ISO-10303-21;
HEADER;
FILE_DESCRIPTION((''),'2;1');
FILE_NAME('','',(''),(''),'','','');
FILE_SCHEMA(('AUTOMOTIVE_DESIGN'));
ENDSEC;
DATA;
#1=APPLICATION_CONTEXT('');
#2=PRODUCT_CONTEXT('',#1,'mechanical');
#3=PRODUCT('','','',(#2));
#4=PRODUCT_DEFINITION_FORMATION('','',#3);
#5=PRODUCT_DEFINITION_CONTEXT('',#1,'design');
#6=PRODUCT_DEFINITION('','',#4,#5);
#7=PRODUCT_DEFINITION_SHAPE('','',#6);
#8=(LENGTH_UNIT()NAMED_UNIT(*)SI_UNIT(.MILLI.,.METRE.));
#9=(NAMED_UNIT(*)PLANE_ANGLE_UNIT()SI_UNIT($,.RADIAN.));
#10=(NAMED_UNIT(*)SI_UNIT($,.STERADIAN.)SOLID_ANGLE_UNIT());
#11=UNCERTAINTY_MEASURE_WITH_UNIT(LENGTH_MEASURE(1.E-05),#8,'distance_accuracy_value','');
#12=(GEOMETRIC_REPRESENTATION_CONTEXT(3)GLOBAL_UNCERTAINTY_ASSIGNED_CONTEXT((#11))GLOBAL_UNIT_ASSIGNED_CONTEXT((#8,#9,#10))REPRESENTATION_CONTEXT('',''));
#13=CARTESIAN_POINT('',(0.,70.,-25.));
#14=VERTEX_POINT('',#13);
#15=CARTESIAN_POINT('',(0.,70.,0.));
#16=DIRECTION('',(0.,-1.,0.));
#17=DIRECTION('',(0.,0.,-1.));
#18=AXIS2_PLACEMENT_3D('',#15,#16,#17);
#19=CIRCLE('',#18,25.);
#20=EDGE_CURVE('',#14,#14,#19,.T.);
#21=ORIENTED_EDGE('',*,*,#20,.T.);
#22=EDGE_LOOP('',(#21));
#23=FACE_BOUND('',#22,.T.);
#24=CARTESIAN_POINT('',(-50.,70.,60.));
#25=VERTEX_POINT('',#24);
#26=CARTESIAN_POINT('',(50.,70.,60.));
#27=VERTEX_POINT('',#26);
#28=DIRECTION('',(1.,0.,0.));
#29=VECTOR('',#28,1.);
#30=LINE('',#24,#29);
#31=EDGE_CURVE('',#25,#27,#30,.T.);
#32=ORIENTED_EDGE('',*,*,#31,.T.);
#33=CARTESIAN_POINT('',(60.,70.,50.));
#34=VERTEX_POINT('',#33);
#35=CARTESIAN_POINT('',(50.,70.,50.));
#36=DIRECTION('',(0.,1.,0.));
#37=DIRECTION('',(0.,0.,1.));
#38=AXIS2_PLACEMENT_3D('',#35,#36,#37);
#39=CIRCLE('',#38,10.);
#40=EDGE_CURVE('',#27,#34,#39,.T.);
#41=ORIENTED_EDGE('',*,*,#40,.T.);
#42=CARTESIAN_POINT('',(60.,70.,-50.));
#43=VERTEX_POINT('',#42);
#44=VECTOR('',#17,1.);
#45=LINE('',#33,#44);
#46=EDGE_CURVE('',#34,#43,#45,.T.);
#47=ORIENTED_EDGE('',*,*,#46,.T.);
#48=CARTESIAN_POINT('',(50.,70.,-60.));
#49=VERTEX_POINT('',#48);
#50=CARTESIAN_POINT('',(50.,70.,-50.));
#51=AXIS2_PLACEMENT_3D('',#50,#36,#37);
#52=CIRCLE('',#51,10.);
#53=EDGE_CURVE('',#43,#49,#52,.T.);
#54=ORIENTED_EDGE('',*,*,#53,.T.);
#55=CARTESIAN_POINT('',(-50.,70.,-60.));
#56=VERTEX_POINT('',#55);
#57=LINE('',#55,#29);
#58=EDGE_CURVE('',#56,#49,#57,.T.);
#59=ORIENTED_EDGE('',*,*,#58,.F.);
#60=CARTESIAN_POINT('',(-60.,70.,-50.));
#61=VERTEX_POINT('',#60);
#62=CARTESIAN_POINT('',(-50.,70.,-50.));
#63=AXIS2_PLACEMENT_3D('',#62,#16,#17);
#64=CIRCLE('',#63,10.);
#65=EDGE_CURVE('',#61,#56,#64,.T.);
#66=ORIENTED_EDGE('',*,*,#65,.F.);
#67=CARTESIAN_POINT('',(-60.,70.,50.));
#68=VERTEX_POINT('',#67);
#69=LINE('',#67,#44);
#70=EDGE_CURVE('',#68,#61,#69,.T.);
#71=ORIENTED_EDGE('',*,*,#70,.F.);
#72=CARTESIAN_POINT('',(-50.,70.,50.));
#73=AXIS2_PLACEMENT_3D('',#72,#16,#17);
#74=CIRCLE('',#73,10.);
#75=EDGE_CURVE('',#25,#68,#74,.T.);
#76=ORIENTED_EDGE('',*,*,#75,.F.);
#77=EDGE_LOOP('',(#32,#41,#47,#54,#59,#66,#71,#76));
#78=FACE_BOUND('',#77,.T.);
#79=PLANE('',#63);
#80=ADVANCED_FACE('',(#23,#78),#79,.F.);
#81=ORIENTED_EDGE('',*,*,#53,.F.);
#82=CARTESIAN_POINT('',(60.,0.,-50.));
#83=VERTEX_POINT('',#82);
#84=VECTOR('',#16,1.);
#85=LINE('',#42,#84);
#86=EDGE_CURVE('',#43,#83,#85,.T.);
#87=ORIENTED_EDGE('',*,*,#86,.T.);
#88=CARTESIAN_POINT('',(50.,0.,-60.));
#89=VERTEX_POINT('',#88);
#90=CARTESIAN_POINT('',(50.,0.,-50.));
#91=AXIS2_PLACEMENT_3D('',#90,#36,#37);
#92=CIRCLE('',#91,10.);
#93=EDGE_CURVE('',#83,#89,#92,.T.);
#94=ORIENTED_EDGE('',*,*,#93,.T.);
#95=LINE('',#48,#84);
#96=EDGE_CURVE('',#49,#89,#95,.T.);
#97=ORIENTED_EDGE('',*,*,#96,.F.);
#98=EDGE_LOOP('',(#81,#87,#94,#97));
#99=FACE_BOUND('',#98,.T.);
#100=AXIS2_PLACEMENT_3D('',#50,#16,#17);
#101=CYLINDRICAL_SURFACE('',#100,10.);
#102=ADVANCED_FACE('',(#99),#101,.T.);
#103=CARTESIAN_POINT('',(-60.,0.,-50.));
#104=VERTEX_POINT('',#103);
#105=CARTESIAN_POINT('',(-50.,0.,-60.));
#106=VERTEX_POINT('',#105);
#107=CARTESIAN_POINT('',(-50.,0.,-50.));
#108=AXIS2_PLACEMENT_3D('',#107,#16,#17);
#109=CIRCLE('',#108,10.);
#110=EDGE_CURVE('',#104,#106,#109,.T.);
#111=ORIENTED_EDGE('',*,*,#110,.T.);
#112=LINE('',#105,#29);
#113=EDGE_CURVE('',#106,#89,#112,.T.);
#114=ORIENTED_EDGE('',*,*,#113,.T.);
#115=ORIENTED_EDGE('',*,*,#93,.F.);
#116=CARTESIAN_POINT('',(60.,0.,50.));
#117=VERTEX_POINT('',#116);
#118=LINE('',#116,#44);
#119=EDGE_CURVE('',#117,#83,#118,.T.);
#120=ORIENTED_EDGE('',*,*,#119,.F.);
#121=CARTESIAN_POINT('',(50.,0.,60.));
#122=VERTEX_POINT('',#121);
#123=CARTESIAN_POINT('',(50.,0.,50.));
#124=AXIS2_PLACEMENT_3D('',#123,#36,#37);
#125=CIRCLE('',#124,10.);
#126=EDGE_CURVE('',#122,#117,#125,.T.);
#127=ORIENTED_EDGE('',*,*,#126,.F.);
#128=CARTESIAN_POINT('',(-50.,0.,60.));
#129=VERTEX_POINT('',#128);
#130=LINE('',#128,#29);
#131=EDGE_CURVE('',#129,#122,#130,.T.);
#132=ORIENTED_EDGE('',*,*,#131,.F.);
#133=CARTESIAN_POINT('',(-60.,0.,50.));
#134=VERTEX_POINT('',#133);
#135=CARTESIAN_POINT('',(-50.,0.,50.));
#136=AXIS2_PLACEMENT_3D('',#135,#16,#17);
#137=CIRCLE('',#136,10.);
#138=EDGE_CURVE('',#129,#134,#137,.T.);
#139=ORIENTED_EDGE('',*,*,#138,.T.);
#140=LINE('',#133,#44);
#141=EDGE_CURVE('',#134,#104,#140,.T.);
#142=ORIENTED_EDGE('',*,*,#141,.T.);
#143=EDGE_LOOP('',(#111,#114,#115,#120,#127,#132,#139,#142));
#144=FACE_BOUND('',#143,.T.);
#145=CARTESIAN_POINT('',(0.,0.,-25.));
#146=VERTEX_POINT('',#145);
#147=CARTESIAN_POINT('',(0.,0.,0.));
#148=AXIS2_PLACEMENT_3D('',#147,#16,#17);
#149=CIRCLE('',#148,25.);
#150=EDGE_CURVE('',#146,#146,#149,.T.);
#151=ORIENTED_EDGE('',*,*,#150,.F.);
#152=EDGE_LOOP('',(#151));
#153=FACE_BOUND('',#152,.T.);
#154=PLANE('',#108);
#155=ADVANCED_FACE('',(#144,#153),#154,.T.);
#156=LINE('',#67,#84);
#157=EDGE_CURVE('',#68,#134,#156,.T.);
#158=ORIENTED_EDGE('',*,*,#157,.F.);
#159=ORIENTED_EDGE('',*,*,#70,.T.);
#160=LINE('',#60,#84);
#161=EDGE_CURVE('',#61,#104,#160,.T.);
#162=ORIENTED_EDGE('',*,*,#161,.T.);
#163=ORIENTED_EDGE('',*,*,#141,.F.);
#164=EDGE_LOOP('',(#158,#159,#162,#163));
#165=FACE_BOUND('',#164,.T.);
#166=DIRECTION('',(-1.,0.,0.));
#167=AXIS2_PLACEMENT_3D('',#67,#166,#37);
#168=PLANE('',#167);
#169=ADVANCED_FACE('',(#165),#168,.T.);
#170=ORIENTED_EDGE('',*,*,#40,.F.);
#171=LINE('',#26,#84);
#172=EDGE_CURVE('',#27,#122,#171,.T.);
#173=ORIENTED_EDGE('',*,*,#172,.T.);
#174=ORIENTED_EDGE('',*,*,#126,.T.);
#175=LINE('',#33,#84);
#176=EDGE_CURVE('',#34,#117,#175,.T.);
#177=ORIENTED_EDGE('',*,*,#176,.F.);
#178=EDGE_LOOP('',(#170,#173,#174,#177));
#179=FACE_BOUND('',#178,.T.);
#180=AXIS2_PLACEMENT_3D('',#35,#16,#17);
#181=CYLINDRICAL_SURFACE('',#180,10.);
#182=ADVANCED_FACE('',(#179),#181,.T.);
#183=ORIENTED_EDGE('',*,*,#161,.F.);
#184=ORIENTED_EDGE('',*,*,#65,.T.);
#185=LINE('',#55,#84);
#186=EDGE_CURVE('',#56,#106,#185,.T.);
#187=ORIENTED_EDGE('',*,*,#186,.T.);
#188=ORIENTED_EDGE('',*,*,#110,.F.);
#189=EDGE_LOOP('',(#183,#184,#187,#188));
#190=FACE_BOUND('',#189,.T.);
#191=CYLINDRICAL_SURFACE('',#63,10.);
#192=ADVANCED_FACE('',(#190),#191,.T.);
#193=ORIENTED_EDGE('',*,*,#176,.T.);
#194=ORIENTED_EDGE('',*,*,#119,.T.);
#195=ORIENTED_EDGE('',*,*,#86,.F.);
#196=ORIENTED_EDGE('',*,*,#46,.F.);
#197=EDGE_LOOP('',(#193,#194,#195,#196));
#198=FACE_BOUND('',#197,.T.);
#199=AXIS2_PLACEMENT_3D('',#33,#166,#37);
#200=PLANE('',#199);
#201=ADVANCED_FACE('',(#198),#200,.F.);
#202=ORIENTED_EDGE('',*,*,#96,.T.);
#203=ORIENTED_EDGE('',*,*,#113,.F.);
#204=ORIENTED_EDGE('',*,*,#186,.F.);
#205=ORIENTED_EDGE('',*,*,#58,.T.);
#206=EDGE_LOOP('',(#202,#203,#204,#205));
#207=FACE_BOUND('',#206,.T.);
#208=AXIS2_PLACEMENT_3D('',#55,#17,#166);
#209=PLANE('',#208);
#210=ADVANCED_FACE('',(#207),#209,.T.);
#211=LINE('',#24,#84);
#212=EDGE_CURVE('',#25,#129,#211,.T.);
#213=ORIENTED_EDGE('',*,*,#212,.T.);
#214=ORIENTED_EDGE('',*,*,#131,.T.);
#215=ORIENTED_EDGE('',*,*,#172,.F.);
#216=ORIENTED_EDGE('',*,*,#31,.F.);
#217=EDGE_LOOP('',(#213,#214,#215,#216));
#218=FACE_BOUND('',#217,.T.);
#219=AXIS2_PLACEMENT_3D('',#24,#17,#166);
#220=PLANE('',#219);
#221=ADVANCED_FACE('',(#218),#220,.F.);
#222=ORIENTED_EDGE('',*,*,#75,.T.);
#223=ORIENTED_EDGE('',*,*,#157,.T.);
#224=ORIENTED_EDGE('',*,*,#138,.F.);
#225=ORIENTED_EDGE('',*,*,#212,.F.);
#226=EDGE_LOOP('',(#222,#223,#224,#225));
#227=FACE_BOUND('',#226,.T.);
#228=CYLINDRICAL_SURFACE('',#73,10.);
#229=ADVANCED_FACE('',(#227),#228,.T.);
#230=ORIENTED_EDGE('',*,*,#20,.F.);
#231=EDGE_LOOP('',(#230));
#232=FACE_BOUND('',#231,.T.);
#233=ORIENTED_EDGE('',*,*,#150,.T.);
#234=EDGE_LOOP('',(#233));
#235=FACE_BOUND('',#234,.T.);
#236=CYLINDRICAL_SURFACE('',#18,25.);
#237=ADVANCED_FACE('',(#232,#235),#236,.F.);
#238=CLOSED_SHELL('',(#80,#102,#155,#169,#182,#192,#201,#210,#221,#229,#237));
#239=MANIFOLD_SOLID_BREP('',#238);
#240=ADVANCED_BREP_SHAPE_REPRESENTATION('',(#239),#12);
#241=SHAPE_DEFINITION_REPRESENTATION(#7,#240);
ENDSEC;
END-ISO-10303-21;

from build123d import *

# Parameters (mm, degrees)
BOSS_EXTRUDE1_DEPTH = 70
SKETCH4_R           = 25
CUT_EXTRUDE4_DEPTH  = 71


with BuildPart() as part:
    # Sketch2 → Boss-Extrude1 (new body)
    with BuildSketch(Plane(origin=(0, 0, 0), x_dir=(1, 0, 0), z_dir=(0, 1, 0))):
        with BuildLine():
            Line((-50, -60), (50, -60))
            ThreePointArc((50, -60), (57.071067812, -57.071067812), (60, -50))
            Line((60, -50), (60, 50))
            ThreePointArc((60, 50), (57.071067812, 57.071067812), (50, 60))
            Line((50, 60), (-50, 60))
            ThreePointArc((-50, 60), (-57.071067812, 57.071067812), (-60, 50))
            Line((-60, 50), (-60, -50))
            ThreePointArc((-60, -50), (-57.071067812, -57.071067812), (-50, -60))
        make_face()
    extrude(amount=BOSS_EXTRUDE1_DEPTH)

    # Sketch4 → Cut-Extrude4 (cut, through all)
    with BuildSketch(Plane.XZ):
        Circle(SKETCH4_R)
    extrude(amount=-CUT_EXTRUDE4_DEPTH, mode=Mode.SUBTRACT)


solid = part.part
